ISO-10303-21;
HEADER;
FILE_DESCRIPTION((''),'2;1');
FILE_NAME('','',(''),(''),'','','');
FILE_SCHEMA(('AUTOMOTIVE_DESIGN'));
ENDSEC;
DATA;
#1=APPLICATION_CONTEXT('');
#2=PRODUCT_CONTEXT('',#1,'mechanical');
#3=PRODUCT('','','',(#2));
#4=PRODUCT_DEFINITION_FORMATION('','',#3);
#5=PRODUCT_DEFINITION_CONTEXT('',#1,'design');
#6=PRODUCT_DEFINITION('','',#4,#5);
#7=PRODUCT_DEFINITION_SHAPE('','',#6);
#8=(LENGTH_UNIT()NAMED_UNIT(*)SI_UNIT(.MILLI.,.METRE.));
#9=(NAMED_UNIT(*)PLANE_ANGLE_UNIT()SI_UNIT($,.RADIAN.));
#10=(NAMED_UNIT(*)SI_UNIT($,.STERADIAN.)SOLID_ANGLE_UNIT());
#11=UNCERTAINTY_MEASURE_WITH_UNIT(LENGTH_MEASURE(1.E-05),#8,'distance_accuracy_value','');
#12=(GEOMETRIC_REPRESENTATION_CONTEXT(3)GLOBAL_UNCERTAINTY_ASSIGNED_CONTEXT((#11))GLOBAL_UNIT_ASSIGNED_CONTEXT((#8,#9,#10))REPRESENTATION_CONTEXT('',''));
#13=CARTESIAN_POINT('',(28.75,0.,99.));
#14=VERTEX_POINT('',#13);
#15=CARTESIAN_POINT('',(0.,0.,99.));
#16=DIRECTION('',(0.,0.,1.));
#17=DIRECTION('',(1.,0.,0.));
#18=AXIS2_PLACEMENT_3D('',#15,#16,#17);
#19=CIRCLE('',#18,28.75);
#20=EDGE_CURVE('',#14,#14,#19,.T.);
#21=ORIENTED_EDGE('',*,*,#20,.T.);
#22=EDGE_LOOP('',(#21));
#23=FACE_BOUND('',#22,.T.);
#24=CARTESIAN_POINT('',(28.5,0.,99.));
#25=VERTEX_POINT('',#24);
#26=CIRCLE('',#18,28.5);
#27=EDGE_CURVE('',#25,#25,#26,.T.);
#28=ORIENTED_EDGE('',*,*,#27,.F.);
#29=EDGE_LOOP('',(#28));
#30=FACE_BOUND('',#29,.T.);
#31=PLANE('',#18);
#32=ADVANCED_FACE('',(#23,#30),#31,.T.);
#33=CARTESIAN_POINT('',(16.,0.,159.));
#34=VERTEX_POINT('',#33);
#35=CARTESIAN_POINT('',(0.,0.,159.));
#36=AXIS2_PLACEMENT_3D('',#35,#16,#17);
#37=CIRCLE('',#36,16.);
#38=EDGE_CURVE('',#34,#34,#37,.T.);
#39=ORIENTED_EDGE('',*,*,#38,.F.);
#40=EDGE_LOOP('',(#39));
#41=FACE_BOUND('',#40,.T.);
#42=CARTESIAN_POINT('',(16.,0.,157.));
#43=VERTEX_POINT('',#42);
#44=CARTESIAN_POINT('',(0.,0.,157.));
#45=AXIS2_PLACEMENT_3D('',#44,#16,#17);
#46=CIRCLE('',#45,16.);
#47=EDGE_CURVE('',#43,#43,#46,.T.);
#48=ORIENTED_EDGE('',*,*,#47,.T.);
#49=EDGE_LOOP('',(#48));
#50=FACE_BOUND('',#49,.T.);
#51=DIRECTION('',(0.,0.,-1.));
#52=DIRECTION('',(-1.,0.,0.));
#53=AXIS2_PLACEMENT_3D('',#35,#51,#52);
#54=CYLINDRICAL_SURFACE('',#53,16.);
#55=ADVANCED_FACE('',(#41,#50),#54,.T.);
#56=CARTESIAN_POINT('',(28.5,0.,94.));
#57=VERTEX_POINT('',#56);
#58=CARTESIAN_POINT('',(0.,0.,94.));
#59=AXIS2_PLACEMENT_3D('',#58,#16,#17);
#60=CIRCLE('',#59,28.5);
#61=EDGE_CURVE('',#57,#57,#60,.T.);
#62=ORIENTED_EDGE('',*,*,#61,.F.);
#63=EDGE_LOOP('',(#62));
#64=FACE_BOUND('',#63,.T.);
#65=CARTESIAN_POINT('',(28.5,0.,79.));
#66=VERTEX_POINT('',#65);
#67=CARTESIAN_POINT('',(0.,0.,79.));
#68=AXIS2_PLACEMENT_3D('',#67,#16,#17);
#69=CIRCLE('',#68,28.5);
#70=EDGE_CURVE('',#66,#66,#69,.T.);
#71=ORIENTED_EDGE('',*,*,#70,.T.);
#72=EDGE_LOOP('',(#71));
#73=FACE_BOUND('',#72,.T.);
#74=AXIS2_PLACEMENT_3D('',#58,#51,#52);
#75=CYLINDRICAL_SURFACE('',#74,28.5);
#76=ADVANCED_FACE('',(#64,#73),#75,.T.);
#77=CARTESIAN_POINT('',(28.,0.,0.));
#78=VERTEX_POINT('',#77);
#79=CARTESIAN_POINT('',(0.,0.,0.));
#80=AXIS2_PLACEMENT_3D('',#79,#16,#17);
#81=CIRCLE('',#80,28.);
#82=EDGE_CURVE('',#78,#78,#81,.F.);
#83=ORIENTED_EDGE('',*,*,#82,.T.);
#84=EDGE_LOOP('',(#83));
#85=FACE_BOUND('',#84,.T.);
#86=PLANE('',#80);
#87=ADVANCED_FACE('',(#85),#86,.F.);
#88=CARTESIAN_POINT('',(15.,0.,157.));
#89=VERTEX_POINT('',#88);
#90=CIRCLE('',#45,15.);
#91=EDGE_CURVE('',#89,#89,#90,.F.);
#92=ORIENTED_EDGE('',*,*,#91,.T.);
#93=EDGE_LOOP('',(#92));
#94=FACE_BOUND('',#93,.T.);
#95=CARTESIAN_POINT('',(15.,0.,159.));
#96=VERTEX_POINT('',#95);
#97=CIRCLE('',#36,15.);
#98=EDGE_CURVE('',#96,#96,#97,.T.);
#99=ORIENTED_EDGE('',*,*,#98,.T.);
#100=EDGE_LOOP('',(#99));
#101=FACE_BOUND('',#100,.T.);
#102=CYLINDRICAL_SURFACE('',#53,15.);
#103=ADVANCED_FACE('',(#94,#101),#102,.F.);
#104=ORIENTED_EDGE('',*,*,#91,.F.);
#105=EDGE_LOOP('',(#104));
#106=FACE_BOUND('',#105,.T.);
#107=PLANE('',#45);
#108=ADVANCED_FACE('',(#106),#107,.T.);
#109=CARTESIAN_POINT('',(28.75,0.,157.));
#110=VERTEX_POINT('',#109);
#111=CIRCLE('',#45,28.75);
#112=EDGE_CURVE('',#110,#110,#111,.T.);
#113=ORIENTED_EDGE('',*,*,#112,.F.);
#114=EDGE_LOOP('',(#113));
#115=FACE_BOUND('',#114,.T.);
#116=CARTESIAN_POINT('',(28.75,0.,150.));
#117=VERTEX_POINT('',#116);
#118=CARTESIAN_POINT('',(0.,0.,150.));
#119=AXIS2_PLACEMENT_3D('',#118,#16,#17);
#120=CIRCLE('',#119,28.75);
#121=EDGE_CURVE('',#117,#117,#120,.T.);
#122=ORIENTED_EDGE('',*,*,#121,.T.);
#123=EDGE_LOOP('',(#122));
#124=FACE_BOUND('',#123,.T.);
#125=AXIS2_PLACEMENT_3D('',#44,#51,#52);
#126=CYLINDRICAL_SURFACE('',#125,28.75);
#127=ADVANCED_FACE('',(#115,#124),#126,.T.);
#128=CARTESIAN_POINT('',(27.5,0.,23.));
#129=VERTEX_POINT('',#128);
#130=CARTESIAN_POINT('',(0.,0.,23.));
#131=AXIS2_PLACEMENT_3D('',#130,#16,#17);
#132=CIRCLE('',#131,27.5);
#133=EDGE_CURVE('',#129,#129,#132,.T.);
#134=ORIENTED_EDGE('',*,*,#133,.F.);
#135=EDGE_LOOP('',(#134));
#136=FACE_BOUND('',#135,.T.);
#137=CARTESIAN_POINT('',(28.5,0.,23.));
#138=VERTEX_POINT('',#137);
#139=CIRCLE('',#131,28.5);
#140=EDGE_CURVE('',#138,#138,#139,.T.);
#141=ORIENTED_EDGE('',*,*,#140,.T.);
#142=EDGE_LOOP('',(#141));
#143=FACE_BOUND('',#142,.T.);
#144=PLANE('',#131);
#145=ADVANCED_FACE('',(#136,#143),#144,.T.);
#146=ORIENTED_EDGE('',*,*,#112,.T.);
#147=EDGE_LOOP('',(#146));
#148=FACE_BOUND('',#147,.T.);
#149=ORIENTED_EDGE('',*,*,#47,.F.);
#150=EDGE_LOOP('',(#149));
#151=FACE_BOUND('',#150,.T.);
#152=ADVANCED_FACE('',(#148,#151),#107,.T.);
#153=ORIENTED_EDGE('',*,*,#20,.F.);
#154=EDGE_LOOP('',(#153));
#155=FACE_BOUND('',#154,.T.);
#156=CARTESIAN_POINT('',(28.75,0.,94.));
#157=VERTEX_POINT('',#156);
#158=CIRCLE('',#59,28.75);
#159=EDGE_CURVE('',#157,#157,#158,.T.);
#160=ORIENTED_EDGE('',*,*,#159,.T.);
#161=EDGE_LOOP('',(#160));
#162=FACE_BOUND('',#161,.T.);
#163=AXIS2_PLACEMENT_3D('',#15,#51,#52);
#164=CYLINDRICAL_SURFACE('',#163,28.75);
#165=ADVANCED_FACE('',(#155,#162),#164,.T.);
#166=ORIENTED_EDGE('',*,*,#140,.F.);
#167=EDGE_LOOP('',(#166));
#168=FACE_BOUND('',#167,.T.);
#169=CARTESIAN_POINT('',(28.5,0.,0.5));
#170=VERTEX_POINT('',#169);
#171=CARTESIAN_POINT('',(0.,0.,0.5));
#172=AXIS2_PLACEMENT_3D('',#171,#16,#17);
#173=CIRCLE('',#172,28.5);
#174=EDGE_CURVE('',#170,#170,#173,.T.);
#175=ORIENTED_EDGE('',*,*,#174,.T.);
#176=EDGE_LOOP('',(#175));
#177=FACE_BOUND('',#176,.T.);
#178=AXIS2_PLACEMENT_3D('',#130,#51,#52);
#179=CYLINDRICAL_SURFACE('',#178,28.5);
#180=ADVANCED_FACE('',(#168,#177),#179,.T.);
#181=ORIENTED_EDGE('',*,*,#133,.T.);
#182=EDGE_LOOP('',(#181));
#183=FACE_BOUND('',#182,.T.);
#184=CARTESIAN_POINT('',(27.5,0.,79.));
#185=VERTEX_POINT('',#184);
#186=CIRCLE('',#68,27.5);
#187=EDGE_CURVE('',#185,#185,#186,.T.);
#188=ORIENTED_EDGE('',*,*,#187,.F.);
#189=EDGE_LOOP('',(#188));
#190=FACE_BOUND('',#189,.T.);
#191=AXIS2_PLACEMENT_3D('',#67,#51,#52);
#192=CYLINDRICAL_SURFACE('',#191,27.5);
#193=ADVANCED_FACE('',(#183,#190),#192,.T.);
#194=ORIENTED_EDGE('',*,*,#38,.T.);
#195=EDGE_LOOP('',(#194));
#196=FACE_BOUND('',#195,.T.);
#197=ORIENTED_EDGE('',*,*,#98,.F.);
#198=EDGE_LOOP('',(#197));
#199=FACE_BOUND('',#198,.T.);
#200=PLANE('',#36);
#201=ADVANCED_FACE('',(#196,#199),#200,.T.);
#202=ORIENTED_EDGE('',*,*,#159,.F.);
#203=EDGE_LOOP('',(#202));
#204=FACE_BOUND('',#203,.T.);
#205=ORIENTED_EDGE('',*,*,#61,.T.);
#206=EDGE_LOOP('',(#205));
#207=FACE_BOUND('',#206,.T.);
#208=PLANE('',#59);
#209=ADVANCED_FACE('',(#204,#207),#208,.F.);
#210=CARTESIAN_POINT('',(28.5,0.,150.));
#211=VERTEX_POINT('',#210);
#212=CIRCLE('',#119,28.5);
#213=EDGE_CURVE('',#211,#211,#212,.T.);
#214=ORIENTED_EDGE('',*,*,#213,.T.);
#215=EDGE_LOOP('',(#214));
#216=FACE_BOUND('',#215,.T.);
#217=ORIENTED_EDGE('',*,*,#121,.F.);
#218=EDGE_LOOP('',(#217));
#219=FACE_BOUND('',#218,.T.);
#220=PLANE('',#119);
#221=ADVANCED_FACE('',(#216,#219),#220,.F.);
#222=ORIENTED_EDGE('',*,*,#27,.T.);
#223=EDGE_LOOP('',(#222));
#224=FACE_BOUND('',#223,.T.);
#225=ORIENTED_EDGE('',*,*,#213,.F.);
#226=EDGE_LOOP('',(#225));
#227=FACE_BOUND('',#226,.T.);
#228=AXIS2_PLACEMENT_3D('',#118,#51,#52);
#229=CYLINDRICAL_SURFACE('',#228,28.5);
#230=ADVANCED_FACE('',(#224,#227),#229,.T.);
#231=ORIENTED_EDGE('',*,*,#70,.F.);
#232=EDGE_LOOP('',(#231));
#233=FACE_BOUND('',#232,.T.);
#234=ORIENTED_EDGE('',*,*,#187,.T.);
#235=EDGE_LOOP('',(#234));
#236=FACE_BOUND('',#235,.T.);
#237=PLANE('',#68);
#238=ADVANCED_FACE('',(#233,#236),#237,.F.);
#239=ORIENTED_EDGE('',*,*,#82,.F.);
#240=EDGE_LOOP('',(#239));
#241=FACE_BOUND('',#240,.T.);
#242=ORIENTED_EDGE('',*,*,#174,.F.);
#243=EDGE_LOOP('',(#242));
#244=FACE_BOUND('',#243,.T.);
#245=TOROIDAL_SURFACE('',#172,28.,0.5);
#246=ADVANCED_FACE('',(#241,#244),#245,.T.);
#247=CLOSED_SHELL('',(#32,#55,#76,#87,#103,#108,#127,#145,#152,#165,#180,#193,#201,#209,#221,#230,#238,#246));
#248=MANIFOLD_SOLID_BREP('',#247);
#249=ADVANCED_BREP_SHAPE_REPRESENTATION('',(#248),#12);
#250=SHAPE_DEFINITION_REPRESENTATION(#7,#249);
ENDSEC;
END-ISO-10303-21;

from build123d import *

# Parameters (mm, degrees)
ESQUISSE1_R        = 28.5
BOSS_EXTRU_1_DEPTH = 23
ESQUISSE3_R        = 27.5
BOSS_EXTRU_2_DEPTH = 56
ESQUISSE4_R        = 28.5
BOSS_EXTRU_3_DEPTH = 15
ESQUISSE5_R        = 28.75
BOSS_EXTRU_4_DEPTH = 5
ESQUISSE6_R        = 28.5
BOSS_EXTRU_5_DEPTH = 51
ESQUISSE7_R        = 28.75
BOSS_EXTRU_6_DEPTH = 7
CONG_1_R           = 0.5
ESQUISSE8_R        = 16
ESQUISSE8_R_2      = 15
BOSS_EXTRU_7_DEPTH = 2


with BuildPart() as part:
    # Esquisse1 → Boss.-Extru.1 (new body)
    with BuildSketch(Plane.XY):
        Circle(ESQUISSE1_R)
    extrude(amount=BOSS_EXTRU_1_DEPTH)

    # Esquisse3 → Boss.-Extru.2 (add)
    with BuildSketch(Plane.XY.offset(23)):
        Circle(ESQUISSE3_R)
    extrude(amount=BOSS_EXTRU_2_DEPTH)

    # Esquisse4 → Boss.-Extru.3 (add)
    with BuildSketch(Plane.XY.offset(79)):
        Circle(ESQUISSE4_R)
    extrude(amount=BOSS_EXTRU_3_DEPTH)

    # Esquisse5 → Boss.-Extru.4 (add)
    with BuildSketch(Plane.XY.offset(94)):
        Circle(ESQUISSE5_R)
    extrude(amount=BOSS_EXTRU_4_DEPTH)

    # Esquisse6 → Boss.-Extru.5 (add)
    with BuildSketch(Plane.XY.offset(99)):
        Circle(ESQUISSE6_R)
    extrude(amount=BOSS_EXTRU_5_DEPTH)

    # Esquisse7 → Boss.-Extru.6 (add)
    with BuildSketch(Plane.XY.offset(150)):
        Circle(ESQUISSE7_R)
    extrude(amount=BOSS_EXTRU_6_DEPTH)

    # Congé1
    cong_1_edges = [part.edges().sort_by_distance(p)[0] for p in [
        (-28.5, 0, 0),
    ]]
    fillet(cong_1_edges, radius=CONG_1_R)

    # Esquisse8 → Boss.-Extru.7 (add)
    with BuildSketch(Plane.XY.offset(157)):
        Circle(ESQUISSE8_R)
        Circle(ESQUISSE8_R_2, mode=Mode.SUBTRACT)
    extrude(amount=BOSS_EXTRU_7_DEPTH)


solid = part.part
